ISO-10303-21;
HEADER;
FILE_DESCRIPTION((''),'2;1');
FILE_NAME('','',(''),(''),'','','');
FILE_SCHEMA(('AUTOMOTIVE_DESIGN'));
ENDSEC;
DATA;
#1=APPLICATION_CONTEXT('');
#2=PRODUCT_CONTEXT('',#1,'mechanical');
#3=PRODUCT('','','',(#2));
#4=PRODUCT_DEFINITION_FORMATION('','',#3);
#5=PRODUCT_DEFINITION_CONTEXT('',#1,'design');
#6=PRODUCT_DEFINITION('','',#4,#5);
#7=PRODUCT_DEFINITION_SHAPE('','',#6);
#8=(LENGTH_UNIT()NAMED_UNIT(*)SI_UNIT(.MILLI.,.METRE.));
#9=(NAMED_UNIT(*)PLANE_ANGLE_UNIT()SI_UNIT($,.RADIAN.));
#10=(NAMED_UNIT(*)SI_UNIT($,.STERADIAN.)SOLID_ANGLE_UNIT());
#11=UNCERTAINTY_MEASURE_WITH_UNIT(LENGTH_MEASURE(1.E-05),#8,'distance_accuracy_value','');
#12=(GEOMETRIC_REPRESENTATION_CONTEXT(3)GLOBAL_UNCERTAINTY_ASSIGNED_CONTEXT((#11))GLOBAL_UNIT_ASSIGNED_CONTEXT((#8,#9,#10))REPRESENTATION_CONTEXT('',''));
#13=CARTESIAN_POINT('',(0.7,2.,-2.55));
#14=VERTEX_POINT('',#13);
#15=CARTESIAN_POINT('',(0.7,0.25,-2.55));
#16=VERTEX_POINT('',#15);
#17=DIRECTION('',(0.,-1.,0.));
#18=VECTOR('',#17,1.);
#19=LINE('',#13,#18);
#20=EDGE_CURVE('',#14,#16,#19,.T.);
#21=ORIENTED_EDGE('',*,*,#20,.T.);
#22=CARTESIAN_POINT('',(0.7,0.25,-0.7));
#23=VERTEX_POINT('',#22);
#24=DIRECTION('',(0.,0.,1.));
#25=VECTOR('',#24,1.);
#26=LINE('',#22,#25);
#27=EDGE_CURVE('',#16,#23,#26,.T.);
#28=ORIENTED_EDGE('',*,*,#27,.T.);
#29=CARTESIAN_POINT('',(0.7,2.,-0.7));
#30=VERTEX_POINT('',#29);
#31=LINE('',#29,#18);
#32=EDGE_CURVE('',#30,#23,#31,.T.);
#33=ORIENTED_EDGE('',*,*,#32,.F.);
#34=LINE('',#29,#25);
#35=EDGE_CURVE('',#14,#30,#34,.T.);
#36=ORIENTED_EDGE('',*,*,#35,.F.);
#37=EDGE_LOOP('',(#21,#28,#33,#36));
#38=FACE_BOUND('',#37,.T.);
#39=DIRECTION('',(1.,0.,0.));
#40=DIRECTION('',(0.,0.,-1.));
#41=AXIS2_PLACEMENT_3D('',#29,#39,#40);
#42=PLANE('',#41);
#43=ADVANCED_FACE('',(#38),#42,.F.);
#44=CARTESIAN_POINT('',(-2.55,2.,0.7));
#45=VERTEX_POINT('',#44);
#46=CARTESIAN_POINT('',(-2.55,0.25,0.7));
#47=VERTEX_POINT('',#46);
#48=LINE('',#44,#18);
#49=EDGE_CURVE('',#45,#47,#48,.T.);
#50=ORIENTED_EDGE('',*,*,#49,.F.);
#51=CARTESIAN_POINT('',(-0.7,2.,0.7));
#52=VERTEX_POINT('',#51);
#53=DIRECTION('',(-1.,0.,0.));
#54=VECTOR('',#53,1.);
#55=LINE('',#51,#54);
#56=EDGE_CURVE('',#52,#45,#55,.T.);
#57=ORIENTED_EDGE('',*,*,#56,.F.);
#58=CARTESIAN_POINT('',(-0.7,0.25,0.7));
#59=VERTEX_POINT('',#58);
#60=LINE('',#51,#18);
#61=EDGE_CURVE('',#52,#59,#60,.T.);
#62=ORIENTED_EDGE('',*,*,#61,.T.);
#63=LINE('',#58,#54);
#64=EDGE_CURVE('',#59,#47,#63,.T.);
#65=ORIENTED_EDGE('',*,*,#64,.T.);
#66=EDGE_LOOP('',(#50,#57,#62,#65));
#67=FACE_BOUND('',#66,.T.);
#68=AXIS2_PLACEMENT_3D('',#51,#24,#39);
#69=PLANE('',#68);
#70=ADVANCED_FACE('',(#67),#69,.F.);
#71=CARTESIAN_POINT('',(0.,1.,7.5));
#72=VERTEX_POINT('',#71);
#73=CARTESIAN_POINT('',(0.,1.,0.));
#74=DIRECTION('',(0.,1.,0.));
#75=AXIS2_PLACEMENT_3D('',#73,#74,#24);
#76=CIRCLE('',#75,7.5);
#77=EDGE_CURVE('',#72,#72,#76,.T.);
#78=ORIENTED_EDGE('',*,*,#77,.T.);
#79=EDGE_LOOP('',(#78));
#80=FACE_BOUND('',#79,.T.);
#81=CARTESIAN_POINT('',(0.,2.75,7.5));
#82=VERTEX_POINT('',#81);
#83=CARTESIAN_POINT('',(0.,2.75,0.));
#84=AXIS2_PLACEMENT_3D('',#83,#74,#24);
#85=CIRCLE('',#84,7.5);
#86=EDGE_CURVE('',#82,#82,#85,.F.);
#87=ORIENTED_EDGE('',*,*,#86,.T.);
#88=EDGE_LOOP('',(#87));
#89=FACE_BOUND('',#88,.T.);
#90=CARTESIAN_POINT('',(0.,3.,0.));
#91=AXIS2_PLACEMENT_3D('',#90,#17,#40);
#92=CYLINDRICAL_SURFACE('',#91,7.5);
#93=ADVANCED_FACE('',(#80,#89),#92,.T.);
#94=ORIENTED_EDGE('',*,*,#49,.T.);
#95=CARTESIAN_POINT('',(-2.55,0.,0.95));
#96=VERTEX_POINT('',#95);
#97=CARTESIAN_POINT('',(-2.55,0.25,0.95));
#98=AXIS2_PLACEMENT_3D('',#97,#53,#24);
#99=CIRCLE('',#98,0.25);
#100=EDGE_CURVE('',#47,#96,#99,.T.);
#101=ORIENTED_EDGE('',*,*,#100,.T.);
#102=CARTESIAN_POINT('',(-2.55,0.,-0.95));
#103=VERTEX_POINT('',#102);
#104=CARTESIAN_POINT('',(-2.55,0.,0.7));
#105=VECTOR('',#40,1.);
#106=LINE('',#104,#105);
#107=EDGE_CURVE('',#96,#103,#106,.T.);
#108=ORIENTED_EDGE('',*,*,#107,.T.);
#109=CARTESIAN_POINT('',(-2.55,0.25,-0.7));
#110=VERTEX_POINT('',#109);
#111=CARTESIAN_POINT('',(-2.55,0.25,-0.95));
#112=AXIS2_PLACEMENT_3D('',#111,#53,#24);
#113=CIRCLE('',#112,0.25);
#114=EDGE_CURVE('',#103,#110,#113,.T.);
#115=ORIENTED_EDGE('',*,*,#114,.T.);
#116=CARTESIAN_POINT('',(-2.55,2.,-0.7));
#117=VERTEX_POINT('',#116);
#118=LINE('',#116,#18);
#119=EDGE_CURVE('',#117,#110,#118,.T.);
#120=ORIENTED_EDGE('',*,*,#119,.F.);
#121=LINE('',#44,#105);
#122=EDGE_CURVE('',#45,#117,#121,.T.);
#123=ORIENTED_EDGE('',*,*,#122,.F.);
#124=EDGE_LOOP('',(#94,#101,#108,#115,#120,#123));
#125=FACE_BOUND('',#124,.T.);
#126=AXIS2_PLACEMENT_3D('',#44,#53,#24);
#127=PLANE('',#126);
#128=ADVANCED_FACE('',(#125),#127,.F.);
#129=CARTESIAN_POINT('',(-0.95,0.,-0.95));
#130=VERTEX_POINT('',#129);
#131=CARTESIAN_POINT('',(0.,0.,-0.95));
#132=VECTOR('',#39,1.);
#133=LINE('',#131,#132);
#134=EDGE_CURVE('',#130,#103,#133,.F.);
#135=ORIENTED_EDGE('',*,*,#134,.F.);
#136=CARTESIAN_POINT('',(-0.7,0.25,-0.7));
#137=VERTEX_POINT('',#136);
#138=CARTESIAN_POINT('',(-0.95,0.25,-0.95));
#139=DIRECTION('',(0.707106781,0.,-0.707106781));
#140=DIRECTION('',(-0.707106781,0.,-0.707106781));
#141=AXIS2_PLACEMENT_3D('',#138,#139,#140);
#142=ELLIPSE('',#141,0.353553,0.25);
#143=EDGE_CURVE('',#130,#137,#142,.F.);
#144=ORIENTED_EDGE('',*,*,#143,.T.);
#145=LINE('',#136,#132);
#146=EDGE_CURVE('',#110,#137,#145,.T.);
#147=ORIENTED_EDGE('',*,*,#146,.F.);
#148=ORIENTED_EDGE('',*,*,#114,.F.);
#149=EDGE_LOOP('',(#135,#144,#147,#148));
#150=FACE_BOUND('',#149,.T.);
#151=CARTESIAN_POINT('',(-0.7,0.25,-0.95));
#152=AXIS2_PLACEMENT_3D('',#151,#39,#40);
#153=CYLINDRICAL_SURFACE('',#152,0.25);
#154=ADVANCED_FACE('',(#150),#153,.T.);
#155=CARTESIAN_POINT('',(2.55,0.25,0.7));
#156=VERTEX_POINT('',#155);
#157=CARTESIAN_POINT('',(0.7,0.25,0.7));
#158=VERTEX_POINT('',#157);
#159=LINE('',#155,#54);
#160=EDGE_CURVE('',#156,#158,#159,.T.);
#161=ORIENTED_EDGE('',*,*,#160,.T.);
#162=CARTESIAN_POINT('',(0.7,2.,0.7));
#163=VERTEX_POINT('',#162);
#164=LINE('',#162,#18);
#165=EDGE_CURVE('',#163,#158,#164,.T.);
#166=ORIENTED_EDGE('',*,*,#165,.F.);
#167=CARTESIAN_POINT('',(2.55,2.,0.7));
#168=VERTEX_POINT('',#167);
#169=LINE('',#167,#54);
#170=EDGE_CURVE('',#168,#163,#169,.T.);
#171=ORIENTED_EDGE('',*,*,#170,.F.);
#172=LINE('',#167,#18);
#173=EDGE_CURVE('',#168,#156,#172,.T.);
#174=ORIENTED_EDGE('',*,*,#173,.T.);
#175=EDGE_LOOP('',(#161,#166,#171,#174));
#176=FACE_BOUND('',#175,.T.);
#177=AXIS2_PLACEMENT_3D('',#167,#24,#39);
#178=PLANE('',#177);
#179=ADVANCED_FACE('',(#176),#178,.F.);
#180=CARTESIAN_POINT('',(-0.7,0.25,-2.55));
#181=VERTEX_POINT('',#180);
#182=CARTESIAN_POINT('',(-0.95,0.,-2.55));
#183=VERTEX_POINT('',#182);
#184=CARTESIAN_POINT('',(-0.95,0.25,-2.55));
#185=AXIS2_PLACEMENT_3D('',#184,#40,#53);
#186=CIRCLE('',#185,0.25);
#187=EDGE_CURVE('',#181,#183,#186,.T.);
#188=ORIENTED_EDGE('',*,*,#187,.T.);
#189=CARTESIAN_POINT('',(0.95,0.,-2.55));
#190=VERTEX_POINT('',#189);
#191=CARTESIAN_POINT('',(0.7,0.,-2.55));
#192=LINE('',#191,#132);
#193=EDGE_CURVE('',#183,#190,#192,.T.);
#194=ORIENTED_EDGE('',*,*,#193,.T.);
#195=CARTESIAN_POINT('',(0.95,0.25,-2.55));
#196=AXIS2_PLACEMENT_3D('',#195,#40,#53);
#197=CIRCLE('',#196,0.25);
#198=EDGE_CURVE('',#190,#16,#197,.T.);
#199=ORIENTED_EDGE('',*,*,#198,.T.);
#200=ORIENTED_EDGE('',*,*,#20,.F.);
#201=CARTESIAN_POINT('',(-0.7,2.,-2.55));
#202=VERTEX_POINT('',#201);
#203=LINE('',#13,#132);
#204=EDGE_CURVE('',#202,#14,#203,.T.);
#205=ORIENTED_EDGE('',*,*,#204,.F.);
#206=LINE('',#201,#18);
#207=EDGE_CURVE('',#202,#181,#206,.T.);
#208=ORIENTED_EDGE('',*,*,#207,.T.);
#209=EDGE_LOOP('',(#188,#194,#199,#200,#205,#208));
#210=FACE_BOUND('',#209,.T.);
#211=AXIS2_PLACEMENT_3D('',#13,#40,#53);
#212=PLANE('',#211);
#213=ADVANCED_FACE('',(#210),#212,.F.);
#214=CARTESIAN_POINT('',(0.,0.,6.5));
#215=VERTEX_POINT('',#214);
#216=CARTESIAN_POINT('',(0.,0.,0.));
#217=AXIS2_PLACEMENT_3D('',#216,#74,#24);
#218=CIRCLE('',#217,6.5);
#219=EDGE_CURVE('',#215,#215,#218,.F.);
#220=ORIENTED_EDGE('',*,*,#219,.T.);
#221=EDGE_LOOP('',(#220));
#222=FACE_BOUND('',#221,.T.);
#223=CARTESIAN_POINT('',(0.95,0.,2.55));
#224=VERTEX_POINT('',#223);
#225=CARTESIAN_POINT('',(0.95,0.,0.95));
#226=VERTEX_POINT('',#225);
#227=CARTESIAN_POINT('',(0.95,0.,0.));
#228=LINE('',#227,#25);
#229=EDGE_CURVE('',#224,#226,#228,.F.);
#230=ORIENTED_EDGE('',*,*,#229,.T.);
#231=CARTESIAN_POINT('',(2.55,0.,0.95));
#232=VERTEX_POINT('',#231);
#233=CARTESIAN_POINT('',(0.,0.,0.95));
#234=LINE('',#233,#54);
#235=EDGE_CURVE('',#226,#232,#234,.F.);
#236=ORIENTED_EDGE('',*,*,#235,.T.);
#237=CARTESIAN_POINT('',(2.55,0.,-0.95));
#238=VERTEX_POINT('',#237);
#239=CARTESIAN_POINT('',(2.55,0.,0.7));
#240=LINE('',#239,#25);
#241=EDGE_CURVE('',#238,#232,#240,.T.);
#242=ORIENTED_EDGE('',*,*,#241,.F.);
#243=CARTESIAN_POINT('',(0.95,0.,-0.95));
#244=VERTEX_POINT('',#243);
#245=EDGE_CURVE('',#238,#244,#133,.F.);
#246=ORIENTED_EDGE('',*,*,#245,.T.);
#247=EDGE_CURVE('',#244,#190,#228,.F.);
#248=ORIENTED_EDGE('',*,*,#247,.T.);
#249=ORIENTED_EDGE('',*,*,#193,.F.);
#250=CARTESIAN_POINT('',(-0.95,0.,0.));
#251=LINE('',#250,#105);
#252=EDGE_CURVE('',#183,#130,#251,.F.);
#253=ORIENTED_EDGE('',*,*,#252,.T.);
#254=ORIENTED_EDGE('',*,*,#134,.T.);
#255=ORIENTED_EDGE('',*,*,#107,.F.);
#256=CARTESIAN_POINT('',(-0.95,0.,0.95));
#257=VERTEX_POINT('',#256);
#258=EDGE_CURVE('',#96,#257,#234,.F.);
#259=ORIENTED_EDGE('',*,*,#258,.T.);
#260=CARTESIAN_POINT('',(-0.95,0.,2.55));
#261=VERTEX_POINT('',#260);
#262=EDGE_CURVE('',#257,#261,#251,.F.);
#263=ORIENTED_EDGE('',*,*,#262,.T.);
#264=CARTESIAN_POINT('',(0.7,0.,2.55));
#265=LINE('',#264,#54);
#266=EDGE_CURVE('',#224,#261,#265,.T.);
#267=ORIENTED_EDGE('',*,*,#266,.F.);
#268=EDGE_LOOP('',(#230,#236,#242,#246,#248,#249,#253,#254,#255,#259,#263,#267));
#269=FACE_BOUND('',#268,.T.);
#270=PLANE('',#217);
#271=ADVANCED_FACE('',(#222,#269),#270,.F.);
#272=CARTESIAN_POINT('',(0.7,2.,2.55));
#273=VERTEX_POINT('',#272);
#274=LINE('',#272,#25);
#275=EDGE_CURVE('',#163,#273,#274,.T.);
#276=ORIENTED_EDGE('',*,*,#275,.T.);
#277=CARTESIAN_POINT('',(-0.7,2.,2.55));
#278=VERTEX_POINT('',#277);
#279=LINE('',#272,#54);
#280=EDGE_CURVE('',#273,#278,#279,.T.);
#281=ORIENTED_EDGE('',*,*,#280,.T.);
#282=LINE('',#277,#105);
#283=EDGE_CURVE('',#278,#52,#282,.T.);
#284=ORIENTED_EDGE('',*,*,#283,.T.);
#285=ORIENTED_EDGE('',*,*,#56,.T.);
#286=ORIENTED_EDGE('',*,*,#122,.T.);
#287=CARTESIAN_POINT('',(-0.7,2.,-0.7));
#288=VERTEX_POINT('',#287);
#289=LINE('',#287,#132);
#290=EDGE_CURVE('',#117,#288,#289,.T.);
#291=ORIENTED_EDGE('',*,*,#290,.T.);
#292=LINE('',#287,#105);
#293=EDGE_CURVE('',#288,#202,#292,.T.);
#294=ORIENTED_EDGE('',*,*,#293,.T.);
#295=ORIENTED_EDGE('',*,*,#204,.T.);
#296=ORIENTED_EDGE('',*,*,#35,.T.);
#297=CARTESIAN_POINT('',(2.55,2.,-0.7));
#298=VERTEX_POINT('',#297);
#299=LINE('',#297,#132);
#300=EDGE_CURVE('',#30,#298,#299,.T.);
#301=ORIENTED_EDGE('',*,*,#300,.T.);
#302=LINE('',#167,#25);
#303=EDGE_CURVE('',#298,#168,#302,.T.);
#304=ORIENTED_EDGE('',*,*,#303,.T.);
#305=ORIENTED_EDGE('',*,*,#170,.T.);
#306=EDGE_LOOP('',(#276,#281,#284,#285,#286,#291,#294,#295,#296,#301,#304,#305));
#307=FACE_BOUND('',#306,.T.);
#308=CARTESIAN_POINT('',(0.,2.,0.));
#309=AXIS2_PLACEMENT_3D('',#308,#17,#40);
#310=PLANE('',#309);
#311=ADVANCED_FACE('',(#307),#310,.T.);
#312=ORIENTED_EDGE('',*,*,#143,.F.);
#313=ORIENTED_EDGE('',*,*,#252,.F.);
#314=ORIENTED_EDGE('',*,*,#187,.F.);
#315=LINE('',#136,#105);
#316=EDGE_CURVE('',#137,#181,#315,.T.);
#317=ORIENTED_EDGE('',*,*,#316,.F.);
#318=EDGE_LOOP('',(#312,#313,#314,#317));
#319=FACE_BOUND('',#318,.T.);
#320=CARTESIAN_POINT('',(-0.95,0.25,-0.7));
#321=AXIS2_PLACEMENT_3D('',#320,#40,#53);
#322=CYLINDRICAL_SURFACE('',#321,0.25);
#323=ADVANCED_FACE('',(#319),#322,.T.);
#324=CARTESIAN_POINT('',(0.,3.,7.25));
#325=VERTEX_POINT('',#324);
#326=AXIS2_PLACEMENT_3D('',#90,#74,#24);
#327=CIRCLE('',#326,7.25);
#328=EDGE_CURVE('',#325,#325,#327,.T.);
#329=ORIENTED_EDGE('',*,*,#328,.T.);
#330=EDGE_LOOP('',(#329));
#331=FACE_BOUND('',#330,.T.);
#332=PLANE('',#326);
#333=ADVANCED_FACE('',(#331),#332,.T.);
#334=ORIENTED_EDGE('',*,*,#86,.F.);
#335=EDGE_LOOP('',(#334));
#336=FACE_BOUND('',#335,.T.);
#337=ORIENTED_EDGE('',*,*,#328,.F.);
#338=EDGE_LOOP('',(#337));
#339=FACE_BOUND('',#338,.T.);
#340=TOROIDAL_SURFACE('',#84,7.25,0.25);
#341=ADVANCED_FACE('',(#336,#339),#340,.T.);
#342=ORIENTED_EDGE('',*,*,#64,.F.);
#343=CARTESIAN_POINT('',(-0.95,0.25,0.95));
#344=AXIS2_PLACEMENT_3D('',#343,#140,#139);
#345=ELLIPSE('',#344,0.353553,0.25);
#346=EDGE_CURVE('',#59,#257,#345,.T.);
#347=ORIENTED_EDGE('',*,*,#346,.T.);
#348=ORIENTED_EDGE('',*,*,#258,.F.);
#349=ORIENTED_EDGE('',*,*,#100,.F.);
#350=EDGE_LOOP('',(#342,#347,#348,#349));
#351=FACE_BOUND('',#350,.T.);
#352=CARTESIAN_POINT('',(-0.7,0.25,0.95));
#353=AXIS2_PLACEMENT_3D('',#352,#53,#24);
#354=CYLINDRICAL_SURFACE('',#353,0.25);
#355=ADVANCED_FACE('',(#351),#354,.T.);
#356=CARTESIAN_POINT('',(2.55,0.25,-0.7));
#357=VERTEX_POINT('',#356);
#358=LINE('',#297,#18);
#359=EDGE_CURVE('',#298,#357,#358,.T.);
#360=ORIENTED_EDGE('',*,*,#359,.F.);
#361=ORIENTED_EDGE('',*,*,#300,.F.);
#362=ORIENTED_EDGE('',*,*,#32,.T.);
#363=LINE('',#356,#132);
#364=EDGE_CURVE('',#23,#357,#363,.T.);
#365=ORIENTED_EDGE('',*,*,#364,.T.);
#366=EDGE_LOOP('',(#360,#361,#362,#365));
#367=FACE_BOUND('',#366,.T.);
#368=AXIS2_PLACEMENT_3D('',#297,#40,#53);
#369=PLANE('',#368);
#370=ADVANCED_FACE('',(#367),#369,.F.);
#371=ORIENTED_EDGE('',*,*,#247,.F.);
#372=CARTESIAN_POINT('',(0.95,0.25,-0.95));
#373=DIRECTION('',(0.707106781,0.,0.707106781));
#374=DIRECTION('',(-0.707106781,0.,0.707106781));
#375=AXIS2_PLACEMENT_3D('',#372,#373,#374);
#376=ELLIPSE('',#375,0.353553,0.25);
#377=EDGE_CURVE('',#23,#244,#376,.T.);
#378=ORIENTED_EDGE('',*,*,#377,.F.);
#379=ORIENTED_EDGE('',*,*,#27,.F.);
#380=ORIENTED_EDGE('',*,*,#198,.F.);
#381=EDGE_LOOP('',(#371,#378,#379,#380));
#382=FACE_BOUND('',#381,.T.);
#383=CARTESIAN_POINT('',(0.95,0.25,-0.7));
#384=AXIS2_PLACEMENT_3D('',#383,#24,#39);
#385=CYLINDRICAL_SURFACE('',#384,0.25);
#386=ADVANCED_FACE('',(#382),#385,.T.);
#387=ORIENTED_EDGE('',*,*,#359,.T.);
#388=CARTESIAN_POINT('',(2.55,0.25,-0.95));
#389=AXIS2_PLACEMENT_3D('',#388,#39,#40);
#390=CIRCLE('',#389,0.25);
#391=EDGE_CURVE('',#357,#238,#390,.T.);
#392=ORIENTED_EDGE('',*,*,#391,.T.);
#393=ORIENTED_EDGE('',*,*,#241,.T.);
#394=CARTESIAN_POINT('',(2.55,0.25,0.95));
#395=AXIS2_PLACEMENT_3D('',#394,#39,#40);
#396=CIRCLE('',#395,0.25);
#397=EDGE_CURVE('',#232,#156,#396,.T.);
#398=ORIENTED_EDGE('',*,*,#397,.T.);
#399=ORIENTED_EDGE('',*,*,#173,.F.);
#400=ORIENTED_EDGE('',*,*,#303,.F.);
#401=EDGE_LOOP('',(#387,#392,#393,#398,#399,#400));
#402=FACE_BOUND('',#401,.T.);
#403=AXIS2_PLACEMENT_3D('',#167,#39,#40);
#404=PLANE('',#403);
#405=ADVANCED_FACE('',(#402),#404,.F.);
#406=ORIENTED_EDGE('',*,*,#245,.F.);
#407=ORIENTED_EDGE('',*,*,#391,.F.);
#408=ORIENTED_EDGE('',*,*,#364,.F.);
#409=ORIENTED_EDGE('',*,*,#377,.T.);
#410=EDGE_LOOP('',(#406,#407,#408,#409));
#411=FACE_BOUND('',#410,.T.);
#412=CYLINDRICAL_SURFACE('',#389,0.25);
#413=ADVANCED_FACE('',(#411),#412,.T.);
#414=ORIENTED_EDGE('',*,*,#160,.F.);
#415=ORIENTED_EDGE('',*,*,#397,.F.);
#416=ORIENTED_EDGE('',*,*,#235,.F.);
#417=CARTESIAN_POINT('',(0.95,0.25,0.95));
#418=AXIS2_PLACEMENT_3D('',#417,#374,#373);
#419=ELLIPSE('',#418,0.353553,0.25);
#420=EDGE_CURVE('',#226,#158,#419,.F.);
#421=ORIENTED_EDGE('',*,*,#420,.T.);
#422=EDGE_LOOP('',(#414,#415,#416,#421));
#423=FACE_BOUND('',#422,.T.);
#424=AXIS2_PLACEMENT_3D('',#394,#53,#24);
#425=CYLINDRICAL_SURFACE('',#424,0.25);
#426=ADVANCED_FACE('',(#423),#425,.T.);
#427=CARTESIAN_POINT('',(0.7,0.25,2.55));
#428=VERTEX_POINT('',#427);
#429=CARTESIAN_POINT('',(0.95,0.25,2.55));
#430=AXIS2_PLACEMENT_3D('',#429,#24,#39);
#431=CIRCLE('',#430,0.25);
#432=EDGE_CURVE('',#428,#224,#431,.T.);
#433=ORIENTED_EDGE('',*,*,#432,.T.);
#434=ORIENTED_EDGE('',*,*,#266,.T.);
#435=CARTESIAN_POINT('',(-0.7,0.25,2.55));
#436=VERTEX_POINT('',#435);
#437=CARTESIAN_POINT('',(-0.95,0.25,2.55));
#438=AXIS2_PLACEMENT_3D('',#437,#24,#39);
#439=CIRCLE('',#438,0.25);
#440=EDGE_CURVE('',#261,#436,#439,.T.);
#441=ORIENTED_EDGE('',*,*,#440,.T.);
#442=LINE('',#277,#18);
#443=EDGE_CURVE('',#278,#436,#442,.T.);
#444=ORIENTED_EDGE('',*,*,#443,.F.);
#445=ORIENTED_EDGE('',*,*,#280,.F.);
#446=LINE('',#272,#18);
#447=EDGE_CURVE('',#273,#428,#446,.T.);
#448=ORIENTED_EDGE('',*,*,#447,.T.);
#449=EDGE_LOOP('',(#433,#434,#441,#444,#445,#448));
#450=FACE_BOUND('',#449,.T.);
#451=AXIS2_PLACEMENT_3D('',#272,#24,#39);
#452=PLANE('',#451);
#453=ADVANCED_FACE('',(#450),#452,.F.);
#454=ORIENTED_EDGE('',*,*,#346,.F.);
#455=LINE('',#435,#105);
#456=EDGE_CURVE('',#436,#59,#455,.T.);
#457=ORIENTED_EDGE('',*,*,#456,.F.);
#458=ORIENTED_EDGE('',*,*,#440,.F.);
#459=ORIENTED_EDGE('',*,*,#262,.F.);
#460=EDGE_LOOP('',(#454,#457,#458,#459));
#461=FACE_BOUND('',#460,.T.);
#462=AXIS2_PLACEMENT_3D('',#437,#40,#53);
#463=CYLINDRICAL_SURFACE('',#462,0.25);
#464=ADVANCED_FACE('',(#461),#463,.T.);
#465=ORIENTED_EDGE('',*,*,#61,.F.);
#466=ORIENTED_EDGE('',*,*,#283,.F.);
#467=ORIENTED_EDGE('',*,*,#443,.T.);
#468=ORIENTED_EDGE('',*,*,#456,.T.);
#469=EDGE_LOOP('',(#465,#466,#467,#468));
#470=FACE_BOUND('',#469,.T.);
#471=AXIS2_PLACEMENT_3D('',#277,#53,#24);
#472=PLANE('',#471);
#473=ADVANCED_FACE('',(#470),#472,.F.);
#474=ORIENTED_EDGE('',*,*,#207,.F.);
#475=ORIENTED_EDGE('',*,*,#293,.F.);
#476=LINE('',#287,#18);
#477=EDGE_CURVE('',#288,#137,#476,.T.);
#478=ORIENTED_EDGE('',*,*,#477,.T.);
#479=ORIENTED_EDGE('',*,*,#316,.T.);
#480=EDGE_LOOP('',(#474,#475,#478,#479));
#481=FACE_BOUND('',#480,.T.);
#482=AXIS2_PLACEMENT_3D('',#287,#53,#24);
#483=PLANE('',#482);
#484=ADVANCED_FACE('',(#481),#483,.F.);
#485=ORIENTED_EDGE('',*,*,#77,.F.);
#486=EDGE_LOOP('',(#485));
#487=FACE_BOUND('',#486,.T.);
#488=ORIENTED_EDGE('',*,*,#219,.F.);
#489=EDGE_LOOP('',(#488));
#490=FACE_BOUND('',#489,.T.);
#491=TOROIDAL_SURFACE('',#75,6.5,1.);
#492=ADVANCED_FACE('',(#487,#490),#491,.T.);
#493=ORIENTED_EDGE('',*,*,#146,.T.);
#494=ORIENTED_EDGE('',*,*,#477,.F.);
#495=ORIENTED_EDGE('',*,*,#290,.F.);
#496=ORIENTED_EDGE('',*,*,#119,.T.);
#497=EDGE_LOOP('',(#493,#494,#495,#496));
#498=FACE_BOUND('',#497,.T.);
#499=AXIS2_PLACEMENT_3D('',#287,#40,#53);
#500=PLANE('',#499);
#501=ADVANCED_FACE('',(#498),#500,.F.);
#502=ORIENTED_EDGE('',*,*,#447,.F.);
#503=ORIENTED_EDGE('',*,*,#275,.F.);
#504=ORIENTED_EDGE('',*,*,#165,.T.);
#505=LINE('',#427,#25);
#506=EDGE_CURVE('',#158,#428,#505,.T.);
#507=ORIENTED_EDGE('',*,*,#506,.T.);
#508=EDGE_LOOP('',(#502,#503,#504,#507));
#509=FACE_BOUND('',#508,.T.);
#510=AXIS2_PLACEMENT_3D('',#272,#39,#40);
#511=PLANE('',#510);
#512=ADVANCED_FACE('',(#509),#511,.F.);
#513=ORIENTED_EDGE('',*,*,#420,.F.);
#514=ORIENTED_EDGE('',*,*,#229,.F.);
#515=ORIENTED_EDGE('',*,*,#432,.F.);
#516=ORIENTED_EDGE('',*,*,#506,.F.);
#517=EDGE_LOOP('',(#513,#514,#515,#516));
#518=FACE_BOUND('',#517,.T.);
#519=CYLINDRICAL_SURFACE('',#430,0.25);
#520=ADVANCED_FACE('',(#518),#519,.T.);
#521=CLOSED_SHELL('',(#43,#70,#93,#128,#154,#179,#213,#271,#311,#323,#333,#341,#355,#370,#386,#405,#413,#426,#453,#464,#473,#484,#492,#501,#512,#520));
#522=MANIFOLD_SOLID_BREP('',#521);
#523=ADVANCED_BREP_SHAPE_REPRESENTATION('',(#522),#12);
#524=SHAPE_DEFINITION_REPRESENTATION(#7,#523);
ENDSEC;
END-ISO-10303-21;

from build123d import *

# Parameters (mm, degrees)
SKETCH1_R           = 7.5
BOSS_EXTRUDE1_DEPTH = 3
FILLET1_R           = 1
CUT_EXTRUDE1_DEPTH  = 2
FILLET2_R           = 0.25


with BuildPart() as part:
    # Sketch1 → Boss-Extrude1 (new body)
    with BuildSketch(Plane(origin=(0, 0, 0), x_dir=(1, 0, 0), z_dir=(0, 1, 0))):
        with Locations(Location((0, 0, 0), (0, 0, 270))):  # turned: the seam where the file's is
            Circle(SKETCH1_R)
    extrude(amount=BOSS_EXTRUDE1_DEPTH)

    # Fillet1
    fillet1_edges = [part.edges().sort_by_distance(p)[0] for p in [
        (0, 0, -7.5),
    ]]
    fillet(fillet1_edges, radius=FILLET1_R)

    # Sketch2 → Cut-Extrude1 (cut)
    with BuildSketch(Plane.XZ):
        Polygon((-0.7, -0.7), (-0.7, -2.55), (0.7, -2.55), (0.7, -0.7), (2.55, -0.7), (2.55, 0.7), (0.7, 0.7), (0.7, 2.55), (-0.7, 2.55), (-0.7, 0.7), (-2.55, 0.7), (-2.55, -0.7), align=None)
    extrude(amount=-CUT_EXTRUDE1_DEPTH, mode=Mode.SUBTRACT)

    # Fillet2
    fillet2_edges = [part.edges().sort_by_distance(p)[0] for p in [
        (0.7, 0, -1.625),
        (1.625, 0, -0.7),
        (1.625, 0, 0.7),
        (0.7, 0, 1.625),
        (-0.7, 0, 1.625),
        (-1.625, 0, 0.7),
        (-1.625, 0, -0.7),
        (-0.7, 0, -1.625),
        (0, 3, -7.5),
    ]]
    fillet(fillet2_edges, radius=FILLET2_R)


solid = part.part
